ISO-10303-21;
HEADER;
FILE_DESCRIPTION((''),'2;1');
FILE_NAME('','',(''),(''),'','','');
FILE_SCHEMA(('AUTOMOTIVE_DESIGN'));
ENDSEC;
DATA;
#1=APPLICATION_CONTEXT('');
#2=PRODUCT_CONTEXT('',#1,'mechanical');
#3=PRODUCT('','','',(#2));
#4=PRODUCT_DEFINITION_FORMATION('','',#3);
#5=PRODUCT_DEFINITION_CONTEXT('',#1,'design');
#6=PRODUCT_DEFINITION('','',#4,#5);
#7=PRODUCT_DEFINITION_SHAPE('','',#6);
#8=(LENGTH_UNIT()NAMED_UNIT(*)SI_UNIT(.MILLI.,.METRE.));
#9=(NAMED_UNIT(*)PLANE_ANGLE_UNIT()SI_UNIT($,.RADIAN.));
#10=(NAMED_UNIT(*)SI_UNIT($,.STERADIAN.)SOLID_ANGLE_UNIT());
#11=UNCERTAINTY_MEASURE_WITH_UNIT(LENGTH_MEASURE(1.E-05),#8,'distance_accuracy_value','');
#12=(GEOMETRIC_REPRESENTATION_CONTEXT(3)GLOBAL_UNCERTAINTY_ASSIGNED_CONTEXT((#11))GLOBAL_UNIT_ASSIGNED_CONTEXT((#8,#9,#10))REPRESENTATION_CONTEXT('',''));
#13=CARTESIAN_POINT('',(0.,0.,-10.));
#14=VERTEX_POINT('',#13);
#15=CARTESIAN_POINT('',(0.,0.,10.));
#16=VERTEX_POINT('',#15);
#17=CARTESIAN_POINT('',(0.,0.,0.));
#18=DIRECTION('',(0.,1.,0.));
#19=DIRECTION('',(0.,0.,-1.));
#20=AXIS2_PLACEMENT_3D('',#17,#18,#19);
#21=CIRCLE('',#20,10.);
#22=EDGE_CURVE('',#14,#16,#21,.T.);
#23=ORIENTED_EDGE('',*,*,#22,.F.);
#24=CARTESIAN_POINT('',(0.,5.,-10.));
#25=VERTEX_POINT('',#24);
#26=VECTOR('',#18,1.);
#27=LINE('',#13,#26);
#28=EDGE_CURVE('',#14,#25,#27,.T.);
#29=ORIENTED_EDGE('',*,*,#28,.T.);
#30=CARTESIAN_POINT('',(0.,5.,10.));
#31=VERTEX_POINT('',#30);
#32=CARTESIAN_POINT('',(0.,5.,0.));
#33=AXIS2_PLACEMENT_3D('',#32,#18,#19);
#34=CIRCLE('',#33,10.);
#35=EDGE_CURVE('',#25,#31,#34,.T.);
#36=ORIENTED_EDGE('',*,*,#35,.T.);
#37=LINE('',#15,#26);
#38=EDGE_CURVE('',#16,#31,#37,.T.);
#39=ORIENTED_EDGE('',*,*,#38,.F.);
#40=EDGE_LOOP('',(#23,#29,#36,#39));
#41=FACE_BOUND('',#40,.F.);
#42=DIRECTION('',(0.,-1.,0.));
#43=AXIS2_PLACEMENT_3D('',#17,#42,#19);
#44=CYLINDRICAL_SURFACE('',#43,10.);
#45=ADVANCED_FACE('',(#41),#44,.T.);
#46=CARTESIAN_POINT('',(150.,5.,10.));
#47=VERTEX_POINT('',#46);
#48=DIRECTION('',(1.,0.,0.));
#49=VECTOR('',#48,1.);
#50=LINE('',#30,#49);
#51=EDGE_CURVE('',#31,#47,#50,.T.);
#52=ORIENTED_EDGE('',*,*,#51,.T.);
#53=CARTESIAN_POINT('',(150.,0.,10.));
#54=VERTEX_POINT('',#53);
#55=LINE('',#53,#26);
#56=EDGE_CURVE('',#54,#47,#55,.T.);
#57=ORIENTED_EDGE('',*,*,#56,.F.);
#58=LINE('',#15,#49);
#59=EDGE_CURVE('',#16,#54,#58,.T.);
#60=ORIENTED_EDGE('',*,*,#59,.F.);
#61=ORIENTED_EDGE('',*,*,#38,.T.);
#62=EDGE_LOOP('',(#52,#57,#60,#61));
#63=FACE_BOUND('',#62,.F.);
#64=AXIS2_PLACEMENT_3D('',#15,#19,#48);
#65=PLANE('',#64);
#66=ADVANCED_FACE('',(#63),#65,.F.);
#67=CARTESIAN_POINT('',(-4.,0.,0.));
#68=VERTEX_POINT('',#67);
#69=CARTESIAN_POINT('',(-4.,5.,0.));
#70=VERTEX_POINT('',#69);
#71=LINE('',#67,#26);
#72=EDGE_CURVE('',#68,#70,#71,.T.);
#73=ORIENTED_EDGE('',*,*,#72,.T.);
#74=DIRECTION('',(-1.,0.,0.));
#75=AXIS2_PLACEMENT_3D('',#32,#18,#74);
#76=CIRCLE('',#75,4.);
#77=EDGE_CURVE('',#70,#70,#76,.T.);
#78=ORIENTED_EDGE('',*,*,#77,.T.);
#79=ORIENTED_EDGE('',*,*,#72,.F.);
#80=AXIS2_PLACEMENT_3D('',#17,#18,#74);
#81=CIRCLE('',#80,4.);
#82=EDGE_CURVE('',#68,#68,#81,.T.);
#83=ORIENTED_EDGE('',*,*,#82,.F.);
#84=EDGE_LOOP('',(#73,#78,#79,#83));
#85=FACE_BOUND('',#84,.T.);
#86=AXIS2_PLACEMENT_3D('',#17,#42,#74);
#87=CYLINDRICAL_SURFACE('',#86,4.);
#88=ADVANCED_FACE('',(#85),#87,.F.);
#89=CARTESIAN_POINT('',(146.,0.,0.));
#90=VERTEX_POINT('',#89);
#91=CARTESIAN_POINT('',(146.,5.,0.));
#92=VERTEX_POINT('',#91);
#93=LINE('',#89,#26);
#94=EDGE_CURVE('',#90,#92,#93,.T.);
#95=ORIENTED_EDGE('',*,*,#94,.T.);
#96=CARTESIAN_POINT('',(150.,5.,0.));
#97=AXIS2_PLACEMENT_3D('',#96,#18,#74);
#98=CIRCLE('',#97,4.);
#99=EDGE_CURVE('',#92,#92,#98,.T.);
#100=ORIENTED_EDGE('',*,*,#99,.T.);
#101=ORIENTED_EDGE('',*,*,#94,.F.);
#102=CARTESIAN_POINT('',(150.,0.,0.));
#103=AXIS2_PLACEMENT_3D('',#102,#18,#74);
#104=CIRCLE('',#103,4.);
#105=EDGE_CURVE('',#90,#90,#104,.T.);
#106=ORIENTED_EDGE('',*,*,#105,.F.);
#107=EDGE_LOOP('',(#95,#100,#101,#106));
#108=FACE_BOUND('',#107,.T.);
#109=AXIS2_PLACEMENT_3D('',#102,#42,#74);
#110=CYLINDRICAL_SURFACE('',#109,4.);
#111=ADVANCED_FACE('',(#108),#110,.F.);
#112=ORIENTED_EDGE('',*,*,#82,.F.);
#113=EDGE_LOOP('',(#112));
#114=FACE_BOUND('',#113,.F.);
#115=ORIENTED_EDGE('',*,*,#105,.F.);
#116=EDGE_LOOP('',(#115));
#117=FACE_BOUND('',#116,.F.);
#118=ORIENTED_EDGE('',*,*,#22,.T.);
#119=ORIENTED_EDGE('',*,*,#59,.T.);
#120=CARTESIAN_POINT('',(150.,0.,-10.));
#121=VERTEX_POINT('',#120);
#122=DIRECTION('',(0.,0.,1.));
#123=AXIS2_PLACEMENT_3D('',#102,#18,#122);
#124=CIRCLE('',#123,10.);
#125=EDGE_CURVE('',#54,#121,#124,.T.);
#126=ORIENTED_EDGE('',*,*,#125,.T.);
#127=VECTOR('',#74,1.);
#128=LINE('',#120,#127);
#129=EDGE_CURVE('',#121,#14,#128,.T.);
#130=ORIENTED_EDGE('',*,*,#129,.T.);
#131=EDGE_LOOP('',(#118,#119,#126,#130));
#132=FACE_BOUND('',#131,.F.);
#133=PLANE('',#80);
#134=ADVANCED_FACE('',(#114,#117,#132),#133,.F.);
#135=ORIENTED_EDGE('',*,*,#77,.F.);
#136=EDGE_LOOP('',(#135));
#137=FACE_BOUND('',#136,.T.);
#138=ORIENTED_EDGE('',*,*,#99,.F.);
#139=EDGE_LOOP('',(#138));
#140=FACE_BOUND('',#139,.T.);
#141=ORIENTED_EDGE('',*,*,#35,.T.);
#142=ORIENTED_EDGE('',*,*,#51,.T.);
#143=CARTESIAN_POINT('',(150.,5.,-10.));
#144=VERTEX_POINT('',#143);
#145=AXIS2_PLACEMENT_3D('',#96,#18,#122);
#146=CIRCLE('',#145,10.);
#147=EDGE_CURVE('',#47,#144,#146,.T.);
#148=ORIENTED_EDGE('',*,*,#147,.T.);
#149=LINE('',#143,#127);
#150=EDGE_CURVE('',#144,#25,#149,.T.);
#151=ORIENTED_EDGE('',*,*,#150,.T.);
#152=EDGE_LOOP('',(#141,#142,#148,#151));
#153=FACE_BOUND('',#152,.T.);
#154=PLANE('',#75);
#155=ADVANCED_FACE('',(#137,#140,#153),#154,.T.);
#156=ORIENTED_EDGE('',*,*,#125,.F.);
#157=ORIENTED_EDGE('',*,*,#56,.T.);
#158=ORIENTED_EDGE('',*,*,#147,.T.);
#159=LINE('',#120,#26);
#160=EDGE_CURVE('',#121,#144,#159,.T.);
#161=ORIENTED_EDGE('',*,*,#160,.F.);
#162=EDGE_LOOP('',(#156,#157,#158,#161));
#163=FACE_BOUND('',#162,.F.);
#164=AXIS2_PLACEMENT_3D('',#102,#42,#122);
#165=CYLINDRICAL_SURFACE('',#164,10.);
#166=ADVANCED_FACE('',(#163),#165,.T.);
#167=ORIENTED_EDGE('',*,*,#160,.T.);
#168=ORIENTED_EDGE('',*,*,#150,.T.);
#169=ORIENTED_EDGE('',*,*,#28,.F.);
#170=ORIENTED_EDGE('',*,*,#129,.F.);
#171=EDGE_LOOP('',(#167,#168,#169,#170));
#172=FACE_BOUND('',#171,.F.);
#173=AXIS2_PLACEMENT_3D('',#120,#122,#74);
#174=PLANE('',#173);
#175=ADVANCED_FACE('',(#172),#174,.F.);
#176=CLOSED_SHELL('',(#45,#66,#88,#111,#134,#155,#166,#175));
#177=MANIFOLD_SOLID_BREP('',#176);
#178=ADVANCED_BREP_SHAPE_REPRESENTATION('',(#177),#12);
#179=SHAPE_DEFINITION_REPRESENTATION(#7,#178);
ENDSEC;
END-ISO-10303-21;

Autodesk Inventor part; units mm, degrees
ref_plane "YZ Plane" through (0, 0, 0) normal (1, 0, 0) x (0, 1, 0)
ref_plane "XZ Plane" through (0, 0, 0) normal (0, 1, 0) x (-1, 0, 0)
ref_plane "XY Plane" through (0, 0, 0) normal (0, 0, 1) x (1, 0, 0)
sketch "Sketch1" plane through (0, 0, 0) normal (0, 1, 0) x (-1, 0, 0)
  line L0 (0, 0) -> (-150, 0) construction
  line L1 (0, 10) -> (-150, 10)
  line L2 (-150, -10) -> (0, -10)
  arc A0 (0, -10) -> (0, 10) centre (0, 0) ccw
  arc A1 (-150, 10) -> (-150, -10) centre (-150, 0) ccw
  circle A2 centre (0, 0) radius 4
  circle A3 centre (-150, 0) radius 4
  point P0 (-75, 0)
  dimension "d0" = 150
  dimension "d1" = 20
  dimension "d2" = 8
  dimension "d3" = 8
extrude "Extrusion1" add sketch "Sketch1" along normal blind 5
properties part number "Lamp arm 1" material "ABS Plastic"
